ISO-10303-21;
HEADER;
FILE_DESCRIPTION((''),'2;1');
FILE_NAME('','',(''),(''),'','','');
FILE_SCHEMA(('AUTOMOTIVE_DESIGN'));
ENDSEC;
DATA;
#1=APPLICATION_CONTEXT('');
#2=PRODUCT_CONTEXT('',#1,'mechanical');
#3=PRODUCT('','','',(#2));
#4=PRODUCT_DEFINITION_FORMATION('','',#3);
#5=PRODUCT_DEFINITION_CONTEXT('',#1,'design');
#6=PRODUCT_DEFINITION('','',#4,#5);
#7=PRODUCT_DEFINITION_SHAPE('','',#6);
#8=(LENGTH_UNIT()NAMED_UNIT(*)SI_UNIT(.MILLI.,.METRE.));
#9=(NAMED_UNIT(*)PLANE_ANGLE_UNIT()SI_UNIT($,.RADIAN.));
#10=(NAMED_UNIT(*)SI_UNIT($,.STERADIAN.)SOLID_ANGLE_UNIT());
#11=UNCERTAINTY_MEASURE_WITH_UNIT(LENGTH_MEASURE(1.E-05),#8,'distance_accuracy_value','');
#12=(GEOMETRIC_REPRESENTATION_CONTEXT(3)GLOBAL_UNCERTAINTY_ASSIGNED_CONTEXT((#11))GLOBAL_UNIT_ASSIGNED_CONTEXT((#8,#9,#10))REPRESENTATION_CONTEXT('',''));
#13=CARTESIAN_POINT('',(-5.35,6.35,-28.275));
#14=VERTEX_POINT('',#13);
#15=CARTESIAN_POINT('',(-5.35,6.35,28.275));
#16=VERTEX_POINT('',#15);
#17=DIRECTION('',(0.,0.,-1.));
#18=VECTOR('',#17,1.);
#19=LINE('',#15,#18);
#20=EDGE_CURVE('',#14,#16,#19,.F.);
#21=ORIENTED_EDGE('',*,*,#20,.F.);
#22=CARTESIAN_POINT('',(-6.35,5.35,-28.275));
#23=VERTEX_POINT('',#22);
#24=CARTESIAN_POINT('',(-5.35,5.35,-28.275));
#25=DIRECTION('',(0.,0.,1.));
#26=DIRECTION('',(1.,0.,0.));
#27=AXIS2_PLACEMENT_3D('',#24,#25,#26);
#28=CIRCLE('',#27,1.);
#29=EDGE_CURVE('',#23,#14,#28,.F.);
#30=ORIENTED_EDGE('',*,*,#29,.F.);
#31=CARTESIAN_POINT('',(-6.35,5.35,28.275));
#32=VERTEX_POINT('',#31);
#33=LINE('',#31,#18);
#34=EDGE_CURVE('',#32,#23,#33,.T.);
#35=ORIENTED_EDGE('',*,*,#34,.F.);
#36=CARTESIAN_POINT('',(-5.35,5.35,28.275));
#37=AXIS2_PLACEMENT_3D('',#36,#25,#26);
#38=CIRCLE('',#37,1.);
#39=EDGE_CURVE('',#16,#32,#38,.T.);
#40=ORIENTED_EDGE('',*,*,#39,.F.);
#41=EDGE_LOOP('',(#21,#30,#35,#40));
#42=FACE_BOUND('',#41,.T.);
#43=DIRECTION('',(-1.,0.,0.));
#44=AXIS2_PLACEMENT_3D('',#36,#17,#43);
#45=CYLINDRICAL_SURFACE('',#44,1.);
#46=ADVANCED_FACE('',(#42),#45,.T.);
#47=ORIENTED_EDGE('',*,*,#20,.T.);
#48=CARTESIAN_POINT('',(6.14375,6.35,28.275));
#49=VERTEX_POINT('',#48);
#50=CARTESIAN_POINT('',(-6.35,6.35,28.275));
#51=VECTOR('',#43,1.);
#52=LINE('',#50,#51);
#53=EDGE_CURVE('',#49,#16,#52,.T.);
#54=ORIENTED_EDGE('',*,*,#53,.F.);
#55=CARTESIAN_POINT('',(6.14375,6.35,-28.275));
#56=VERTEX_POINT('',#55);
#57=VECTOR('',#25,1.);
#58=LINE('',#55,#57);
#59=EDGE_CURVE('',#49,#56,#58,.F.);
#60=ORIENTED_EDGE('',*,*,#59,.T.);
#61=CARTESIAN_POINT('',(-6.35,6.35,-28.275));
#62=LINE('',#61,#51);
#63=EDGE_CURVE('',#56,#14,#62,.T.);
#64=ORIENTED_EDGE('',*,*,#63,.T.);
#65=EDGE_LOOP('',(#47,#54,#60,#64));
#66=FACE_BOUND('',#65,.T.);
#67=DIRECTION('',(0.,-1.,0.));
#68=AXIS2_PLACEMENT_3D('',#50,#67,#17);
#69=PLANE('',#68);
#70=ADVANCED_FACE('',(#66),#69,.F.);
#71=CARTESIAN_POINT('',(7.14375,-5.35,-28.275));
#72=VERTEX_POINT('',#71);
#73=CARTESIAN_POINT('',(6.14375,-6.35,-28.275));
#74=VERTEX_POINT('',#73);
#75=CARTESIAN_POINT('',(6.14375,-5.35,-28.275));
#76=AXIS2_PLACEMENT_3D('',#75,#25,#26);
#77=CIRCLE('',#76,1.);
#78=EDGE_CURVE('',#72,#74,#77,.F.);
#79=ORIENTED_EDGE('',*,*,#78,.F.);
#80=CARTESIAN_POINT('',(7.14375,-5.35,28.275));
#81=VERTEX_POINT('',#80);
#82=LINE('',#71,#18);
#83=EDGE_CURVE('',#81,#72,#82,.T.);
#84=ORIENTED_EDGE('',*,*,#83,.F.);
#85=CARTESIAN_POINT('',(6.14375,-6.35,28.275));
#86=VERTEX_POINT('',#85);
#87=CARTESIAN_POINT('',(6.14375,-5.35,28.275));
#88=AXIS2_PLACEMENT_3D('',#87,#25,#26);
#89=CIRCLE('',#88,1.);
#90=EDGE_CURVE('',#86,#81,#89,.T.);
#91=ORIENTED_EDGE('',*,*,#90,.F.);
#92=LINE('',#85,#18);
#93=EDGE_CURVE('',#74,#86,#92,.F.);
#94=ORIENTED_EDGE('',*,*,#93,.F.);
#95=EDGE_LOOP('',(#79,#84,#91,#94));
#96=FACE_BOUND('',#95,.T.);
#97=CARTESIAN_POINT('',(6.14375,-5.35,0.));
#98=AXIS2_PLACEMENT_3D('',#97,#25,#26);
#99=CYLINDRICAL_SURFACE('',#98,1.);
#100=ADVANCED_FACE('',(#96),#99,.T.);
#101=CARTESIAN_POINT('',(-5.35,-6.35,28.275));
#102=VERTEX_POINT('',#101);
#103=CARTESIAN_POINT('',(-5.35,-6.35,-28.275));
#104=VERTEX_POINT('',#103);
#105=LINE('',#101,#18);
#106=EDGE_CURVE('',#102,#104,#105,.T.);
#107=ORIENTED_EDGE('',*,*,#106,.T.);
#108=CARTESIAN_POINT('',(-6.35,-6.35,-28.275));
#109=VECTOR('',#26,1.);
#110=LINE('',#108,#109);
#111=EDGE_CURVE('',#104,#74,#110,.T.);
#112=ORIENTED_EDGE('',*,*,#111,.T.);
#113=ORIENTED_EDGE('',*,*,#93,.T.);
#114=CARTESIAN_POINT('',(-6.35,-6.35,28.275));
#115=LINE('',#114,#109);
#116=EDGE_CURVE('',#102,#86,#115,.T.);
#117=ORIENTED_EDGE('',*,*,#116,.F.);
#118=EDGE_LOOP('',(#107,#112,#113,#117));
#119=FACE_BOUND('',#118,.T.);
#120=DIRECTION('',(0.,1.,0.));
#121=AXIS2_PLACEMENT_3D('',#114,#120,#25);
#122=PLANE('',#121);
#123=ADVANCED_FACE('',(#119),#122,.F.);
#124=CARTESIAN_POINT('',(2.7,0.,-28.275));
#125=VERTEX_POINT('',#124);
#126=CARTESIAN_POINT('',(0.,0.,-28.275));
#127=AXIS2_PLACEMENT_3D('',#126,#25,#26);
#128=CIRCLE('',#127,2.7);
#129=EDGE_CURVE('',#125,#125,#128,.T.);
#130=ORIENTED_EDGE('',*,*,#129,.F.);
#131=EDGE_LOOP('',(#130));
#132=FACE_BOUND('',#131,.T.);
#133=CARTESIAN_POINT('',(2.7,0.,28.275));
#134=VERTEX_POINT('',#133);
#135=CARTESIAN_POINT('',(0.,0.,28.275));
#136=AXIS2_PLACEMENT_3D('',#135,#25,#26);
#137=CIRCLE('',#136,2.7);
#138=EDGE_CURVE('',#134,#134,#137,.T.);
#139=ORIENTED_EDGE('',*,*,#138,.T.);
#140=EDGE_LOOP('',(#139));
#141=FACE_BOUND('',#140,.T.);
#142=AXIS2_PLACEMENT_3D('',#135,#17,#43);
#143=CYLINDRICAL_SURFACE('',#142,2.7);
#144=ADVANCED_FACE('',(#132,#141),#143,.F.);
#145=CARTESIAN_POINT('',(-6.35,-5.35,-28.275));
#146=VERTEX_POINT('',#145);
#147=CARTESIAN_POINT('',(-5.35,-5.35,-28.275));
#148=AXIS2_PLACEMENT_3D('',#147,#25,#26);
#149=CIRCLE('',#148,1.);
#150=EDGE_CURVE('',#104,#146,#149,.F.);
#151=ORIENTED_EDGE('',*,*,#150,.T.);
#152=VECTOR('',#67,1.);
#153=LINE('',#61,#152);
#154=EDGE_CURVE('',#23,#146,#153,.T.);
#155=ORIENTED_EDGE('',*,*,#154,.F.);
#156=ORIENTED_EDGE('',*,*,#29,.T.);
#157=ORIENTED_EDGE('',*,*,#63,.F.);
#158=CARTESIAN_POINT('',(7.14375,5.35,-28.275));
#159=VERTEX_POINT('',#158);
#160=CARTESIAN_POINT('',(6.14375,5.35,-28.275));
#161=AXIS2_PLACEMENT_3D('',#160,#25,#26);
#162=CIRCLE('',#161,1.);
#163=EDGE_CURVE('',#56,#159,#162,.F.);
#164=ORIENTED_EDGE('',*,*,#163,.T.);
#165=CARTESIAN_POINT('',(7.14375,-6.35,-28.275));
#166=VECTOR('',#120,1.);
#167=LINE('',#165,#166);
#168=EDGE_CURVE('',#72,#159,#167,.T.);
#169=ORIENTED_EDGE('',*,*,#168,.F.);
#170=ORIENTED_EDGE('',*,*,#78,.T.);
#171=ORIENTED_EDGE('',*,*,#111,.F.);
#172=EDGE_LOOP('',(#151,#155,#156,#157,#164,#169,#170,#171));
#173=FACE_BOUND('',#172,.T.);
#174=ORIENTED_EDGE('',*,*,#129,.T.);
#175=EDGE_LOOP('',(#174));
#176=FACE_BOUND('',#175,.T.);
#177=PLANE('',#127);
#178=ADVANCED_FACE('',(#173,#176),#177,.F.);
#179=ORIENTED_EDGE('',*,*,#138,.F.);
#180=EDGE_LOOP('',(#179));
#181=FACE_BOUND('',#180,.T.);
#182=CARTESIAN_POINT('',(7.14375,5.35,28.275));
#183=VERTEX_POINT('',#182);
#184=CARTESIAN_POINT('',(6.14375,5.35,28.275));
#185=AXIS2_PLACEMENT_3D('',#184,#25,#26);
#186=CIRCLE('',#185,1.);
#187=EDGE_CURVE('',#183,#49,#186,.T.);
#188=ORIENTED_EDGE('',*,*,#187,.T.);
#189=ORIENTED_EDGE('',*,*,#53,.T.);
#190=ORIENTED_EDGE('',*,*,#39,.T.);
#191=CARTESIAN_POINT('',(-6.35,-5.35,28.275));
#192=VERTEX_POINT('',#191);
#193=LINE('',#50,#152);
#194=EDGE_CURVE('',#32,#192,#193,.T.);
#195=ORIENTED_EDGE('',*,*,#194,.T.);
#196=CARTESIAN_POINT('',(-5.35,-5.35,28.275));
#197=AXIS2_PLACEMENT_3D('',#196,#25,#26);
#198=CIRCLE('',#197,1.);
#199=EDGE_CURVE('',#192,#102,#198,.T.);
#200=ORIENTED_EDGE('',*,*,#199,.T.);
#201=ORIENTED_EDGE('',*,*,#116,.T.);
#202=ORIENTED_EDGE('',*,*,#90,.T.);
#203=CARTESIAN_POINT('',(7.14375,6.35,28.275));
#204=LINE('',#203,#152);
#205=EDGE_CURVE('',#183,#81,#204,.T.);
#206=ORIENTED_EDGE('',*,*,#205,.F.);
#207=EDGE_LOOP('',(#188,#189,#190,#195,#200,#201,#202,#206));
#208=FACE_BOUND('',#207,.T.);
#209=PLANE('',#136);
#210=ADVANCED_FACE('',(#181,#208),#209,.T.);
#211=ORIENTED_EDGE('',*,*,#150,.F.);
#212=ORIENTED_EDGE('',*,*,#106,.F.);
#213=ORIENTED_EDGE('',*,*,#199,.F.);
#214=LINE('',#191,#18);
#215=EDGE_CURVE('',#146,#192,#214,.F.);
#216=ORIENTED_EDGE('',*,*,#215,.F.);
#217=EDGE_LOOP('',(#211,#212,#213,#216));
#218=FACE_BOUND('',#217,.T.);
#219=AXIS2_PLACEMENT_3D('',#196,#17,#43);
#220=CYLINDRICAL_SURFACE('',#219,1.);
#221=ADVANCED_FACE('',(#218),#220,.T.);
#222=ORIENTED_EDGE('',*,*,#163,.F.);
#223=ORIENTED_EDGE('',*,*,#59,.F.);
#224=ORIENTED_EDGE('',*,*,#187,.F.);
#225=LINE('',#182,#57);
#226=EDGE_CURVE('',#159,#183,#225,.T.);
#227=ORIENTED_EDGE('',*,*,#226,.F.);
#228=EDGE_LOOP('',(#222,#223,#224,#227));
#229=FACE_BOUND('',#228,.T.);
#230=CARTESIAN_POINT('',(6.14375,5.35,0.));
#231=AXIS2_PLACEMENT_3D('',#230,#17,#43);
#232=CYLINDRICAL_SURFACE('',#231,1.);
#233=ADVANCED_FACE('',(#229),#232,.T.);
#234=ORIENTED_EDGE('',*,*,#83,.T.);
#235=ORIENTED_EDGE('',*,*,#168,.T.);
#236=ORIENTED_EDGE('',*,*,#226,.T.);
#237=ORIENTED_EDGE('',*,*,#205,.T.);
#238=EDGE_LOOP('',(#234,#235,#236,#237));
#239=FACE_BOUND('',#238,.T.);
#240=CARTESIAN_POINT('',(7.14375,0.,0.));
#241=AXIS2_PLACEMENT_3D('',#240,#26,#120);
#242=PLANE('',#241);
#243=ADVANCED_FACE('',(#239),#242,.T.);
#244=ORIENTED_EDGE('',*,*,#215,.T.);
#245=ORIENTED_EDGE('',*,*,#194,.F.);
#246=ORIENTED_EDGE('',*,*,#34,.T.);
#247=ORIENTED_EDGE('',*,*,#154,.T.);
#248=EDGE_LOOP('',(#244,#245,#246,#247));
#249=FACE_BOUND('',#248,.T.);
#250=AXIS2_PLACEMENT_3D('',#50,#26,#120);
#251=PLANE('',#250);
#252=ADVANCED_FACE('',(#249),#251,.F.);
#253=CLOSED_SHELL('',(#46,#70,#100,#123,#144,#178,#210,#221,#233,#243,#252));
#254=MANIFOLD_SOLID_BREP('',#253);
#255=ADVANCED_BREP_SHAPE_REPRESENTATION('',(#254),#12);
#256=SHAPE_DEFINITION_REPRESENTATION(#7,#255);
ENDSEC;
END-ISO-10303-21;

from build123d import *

# Parameters (mm, degrees)
SKETCH1_W           = 12.7
SKETCH1_H           = 12.7
SKETCH1_R           = 2.7
BOSS_EXTRUDE1_DEPTH = 28.275
SKETCH4_W           = 56.55
SKETCH4_H           = 12.7
BOSS_EXTRUDE3_DEPTH = 0.79375
FILLET2_R           = 1


with BuildPart() as part:
    # Sketch1 → Boss-Extrude1 (new, symmetric)
    with BuildSketch(Plane.XY):
        Rectangle(SKETCH1_W, SKETCH1_H)
        Circle(SKETCH1_R, mode=Mode.SUBTRACT)
    extrude(amount=BOSS_EXTRUDE1_DEPTH, both=True)

    # Sketch4 → Boss-Extrude3 (add)
    with BuildSketch(Plane(origin=(6.35, 0, 0), x_dir=(0, 0, -1), z_dir=(1, 0, 0))):
        Rectangle(SKETCH4_W, SKETCH4_H)
    extrude(amount=BOSS_EXTRUDE3_DEPTH)

    # Fillet2
    fillet2_edges = [part.edges().sort_by_distance(p)[0] for p in [
        (7.14375, -6.35, 0),
        (7.14375, 6.35, 0),
        (-6.35, -6.35, 0),
        (-6.35, 6.35, 0),
    ]]
    fillet(fillet2_edges, radius=FILLET2_R)


solid = part.part
